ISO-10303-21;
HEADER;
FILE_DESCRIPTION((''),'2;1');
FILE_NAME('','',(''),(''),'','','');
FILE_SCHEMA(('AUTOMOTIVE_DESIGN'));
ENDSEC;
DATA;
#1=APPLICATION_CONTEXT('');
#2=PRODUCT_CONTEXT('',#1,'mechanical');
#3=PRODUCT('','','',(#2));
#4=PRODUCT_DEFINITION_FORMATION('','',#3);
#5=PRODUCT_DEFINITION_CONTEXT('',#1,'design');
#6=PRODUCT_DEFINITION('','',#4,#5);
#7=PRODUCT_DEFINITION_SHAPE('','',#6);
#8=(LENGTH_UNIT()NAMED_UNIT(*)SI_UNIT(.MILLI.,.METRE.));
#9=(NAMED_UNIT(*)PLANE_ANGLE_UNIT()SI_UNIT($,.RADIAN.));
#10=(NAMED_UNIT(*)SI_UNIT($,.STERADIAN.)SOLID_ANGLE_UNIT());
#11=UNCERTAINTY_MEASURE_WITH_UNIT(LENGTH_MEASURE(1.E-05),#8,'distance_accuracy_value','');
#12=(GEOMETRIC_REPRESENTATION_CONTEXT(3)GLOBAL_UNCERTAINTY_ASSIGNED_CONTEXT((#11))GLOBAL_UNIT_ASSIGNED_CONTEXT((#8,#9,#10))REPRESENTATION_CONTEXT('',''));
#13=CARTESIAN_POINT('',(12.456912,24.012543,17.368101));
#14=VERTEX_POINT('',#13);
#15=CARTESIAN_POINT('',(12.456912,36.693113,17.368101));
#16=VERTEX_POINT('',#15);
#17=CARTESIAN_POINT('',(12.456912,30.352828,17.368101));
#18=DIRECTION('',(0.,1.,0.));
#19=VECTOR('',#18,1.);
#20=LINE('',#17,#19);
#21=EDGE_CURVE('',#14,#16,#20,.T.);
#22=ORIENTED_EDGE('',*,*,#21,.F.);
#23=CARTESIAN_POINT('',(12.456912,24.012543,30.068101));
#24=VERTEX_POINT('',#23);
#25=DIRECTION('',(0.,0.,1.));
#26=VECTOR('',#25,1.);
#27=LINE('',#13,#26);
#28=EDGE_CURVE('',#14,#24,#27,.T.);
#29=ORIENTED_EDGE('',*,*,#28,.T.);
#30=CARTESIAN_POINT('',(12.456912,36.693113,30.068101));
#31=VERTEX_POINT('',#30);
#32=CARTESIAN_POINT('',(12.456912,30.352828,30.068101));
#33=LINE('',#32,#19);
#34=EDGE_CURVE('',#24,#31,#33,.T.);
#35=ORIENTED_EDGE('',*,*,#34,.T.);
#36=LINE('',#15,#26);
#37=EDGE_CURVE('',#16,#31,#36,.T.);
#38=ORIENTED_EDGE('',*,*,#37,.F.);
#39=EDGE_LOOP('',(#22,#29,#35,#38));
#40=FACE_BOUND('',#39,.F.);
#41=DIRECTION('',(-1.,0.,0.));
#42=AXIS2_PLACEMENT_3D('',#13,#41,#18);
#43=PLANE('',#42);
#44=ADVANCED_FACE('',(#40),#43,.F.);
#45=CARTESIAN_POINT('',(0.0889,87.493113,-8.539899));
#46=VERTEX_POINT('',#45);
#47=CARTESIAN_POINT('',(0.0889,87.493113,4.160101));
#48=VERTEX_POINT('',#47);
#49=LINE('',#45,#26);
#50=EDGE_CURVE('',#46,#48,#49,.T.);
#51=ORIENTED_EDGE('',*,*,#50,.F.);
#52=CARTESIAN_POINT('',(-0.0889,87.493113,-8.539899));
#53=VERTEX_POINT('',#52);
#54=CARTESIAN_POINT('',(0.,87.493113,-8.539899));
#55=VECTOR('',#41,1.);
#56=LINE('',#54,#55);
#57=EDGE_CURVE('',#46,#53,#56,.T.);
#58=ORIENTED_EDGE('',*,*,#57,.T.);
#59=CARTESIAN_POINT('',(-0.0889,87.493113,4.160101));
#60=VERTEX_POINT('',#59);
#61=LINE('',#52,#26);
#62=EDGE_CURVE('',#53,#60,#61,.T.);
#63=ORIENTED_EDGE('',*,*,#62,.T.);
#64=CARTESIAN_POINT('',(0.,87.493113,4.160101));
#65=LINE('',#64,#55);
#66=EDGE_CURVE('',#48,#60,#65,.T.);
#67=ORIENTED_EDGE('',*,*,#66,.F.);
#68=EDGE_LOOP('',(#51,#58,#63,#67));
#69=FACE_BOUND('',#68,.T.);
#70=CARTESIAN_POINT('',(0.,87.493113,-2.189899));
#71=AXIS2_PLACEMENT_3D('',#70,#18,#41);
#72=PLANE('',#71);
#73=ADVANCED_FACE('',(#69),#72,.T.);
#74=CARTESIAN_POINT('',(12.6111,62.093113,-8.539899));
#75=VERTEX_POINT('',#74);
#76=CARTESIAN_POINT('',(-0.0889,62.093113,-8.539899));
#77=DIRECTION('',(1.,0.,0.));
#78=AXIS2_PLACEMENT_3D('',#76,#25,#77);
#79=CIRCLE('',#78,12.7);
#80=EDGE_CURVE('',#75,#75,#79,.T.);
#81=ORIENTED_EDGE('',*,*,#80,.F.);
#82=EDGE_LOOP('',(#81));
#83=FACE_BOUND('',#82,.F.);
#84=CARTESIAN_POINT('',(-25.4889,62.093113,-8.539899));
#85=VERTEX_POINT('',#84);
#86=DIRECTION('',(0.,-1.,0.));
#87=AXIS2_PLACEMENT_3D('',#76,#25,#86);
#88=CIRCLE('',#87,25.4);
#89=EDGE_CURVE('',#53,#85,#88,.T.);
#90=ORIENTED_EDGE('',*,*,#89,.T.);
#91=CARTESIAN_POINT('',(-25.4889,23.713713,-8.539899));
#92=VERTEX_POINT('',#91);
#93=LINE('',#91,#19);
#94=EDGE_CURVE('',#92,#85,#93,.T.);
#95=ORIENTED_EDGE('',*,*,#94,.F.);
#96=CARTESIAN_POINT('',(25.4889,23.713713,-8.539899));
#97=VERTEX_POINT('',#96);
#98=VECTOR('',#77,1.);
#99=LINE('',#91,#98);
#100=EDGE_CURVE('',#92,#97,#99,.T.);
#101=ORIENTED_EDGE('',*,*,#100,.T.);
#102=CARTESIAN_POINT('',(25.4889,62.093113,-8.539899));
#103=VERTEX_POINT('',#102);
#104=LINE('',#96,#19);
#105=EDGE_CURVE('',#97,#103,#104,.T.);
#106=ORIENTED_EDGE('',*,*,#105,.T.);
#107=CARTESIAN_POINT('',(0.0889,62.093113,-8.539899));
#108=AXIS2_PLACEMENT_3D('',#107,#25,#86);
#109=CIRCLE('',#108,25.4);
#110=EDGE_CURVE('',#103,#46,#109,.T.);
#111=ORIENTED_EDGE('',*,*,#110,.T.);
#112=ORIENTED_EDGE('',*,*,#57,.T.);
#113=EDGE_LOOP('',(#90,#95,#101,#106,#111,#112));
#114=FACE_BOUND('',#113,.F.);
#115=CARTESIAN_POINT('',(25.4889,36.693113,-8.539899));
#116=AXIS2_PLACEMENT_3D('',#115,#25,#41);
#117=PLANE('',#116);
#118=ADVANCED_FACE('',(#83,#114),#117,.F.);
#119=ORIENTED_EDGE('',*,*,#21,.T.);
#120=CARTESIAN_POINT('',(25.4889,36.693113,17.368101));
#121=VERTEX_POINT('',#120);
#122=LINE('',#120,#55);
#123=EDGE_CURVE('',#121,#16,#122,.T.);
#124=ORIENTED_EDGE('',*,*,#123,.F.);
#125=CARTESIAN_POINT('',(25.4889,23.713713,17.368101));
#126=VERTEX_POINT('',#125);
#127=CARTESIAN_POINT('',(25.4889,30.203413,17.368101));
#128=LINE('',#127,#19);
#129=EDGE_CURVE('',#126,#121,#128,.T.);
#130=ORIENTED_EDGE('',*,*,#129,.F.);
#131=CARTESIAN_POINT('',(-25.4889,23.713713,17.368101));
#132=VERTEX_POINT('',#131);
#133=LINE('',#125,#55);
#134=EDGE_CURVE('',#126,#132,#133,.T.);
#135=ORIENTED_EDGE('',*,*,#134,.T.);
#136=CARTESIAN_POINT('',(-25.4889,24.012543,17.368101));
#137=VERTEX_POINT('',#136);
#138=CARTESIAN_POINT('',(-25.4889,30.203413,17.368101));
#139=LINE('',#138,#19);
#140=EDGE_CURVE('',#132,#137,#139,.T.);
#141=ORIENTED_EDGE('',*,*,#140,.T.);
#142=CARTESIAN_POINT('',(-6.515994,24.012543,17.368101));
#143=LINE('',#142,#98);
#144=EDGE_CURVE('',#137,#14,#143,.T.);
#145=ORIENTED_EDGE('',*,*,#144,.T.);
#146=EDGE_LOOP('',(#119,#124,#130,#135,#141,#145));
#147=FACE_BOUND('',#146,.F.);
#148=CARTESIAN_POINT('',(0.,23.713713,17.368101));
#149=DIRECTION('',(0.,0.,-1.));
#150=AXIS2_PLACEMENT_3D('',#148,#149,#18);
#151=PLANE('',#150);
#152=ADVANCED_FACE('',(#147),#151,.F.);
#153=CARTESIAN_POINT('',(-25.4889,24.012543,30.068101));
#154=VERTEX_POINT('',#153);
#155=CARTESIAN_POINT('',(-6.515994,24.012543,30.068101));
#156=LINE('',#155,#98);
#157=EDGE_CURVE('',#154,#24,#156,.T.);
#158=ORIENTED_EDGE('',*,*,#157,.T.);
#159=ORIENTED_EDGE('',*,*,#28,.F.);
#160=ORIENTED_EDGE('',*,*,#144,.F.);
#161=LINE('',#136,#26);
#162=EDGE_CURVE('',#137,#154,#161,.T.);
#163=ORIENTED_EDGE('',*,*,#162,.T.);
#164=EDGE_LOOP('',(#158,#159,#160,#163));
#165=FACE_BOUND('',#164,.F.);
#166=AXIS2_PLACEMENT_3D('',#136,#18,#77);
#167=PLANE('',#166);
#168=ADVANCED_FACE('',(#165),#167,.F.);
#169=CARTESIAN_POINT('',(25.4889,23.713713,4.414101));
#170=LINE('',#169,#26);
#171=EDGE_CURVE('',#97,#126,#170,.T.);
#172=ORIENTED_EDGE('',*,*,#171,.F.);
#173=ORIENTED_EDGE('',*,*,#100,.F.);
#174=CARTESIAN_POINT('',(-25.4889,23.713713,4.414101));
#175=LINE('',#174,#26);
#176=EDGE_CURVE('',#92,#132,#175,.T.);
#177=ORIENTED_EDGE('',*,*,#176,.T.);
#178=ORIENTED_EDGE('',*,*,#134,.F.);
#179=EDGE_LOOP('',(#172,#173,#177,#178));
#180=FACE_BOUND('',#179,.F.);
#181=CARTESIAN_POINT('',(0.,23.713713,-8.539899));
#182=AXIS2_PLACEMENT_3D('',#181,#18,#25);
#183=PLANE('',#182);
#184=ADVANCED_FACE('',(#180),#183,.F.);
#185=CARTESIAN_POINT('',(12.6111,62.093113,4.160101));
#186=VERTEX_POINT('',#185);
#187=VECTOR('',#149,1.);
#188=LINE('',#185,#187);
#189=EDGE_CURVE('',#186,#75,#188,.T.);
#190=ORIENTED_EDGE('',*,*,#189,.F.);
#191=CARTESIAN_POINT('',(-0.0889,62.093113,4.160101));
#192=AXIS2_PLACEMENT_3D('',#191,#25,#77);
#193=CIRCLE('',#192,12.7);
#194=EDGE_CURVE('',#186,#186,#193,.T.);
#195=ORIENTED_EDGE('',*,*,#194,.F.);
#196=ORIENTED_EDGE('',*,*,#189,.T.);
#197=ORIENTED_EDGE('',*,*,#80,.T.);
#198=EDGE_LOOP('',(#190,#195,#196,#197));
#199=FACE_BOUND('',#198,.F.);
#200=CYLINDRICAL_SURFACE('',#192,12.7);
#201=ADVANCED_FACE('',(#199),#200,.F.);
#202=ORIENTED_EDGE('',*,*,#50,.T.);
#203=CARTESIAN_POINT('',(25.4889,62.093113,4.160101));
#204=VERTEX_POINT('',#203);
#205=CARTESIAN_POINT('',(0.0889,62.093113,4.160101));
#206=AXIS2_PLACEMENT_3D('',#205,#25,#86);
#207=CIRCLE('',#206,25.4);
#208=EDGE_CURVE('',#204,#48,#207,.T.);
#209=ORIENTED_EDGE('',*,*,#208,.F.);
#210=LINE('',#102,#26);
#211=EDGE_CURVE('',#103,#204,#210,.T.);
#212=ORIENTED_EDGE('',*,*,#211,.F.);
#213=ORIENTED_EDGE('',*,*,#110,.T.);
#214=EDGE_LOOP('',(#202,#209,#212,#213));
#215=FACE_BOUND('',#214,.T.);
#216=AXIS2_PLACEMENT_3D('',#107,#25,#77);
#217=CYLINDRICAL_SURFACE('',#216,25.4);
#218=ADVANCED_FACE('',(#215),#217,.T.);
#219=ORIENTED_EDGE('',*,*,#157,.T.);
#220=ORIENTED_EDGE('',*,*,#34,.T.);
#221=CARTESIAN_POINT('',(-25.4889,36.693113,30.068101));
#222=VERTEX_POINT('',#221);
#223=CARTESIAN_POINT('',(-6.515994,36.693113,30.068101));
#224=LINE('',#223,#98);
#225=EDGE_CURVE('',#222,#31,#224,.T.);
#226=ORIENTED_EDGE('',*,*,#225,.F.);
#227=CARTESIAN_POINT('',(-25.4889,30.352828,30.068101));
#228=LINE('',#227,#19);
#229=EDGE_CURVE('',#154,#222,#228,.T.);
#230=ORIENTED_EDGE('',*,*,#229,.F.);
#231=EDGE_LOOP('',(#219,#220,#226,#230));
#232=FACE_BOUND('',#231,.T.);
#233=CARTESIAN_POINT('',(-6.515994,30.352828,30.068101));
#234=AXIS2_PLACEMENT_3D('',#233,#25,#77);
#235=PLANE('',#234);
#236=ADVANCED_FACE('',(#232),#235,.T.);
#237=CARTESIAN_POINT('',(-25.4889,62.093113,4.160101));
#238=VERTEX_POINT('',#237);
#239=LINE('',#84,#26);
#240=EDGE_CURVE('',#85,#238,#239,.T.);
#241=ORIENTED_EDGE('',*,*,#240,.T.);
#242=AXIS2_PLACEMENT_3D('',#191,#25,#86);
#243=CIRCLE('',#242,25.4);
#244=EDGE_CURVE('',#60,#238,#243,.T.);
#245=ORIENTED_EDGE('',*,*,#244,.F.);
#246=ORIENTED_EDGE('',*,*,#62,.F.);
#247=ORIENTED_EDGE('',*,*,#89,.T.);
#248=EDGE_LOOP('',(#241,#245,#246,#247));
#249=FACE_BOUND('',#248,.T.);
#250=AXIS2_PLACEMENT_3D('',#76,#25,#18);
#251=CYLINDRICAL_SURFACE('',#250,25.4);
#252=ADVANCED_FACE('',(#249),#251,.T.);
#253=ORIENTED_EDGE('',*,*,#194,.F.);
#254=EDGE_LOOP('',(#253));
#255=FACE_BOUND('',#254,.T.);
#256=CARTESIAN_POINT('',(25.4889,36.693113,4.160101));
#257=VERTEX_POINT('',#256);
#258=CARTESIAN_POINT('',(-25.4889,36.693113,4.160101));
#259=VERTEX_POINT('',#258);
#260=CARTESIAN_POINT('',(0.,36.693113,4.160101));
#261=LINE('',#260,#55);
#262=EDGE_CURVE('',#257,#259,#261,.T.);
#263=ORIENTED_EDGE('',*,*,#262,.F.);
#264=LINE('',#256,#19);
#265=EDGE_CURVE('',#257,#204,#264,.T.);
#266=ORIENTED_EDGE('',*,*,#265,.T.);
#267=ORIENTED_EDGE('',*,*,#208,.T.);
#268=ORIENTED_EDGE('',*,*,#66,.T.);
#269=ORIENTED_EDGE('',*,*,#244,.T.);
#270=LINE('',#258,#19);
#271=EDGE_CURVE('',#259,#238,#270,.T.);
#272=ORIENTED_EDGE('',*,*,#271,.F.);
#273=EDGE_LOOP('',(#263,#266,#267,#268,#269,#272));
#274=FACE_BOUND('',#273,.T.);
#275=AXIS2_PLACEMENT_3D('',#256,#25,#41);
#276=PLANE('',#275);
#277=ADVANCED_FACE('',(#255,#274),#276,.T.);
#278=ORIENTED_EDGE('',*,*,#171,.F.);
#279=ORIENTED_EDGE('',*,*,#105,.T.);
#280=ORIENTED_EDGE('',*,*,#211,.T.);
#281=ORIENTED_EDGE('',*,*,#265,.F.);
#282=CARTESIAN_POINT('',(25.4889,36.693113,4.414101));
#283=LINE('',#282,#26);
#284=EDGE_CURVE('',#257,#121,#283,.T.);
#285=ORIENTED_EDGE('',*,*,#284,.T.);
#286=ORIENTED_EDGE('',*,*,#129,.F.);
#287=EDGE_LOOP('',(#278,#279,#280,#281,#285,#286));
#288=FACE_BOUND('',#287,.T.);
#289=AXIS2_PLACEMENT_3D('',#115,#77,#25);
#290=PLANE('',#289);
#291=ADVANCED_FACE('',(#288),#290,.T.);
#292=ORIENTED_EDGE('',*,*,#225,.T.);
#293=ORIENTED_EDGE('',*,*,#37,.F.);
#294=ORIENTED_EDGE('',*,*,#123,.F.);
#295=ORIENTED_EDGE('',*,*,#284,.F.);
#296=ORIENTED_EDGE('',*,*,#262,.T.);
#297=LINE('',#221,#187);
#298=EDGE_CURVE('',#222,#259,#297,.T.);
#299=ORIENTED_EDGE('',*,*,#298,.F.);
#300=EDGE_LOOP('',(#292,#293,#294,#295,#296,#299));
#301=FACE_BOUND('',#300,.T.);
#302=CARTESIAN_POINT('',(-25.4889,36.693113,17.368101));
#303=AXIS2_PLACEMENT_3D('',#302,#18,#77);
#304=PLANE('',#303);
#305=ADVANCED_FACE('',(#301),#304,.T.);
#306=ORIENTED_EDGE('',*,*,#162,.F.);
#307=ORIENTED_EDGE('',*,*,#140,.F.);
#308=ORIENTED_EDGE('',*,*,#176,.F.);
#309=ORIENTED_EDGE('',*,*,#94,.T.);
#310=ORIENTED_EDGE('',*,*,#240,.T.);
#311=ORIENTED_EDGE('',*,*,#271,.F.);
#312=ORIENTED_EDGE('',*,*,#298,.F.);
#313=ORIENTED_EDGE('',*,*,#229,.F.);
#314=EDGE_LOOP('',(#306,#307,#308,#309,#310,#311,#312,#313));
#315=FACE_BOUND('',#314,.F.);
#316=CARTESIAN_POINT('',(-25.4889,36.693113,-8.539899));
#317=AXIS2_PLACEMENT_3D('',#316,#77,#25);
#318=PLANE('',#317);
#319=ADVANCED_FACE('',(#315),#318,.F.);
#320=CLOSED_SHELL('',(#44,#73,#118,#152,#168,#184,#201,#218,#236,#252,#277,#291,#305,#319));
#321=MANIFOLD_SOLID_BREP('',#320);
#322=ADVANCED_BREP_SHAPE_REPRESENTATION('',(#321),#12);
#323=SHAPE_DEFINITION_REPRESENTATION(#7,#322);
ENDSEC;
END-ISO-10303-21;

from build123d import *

# Parameters (mm, degrees)
F0_W      = 12.9794
F0_H      = 25.908
F1_DEPTH  = 25.4889
F2_W      = 38.1
F2_H      = 12.7
F3_DEPTH  = 6.35
F6_W      = 37.945812
F6_H      = 12.68057
F7_DEPTH  = 12.7
F8_W      = 50.9778
F8_H      = 12.7
F9_DEPTH  = 50.8
F10_R     = 12.7
F11_DEPTH = 12.701
F12_R     = 25.4


with BuildPart() as f1:
    # F0 (on Right) → F1 (new body, symmetric)
    with BuildSketch(Plane.YZ):
        with Locations((30.203413, 4.414101)):
            Rectangle(F0_W, F0_H)
    extrude(amount=F1_DEPTH, both=True)

    # F6 (on face) → F7 (join)
    with BuildSketch(Plane.XY.offset(17.368101)):
        with Locations((-6.515994, 30.352828)):
            Rectangle(F6_W, F6_H)
    extrude(amount=F7_DEPTH)

    # F8 (on face) → F9 (join)
    with BuildSketch(Plane(origin=(0, 36.693113, 0), x_dir=(-1, 0, 0), z_dir=(0, 1, 0))):
        with Locations((0, -2.189899)):
            Rectangle(F8_W, F8_H)
    extrude(amount=F9_DEPTH)

    # F10 (on face) → F11 (cut, through all)
    with BuildSketch(Plane.XY.offset(4.160101)):
        with Locations((-0.0889, 62.093113)):
            Circle(F10_R)
    extrude(amount=-F11_DEPTH, mode=Mode.SUBTRACT)

    # F12
    f12_edges = [f1.edges().sort_by_distance(p)[0] for p in [
        (-25.4889, 87.493113, -2.189899),
        (25.4889, 87.493113, -2.189899),
    ]]
    fillet(f12_edges, radius=F12_R)


with BuildPart() as f3:
    # F2 (on Front) → F3 (new body, symmetric)
    with BuildSketch(Plane.XZ):
        with Locations((6.389182, 23.830109)):
            Rectangle(F2_W, F2_H)
    extrude(amount=F3_DEPTH, both=True)


solid = f1.part
